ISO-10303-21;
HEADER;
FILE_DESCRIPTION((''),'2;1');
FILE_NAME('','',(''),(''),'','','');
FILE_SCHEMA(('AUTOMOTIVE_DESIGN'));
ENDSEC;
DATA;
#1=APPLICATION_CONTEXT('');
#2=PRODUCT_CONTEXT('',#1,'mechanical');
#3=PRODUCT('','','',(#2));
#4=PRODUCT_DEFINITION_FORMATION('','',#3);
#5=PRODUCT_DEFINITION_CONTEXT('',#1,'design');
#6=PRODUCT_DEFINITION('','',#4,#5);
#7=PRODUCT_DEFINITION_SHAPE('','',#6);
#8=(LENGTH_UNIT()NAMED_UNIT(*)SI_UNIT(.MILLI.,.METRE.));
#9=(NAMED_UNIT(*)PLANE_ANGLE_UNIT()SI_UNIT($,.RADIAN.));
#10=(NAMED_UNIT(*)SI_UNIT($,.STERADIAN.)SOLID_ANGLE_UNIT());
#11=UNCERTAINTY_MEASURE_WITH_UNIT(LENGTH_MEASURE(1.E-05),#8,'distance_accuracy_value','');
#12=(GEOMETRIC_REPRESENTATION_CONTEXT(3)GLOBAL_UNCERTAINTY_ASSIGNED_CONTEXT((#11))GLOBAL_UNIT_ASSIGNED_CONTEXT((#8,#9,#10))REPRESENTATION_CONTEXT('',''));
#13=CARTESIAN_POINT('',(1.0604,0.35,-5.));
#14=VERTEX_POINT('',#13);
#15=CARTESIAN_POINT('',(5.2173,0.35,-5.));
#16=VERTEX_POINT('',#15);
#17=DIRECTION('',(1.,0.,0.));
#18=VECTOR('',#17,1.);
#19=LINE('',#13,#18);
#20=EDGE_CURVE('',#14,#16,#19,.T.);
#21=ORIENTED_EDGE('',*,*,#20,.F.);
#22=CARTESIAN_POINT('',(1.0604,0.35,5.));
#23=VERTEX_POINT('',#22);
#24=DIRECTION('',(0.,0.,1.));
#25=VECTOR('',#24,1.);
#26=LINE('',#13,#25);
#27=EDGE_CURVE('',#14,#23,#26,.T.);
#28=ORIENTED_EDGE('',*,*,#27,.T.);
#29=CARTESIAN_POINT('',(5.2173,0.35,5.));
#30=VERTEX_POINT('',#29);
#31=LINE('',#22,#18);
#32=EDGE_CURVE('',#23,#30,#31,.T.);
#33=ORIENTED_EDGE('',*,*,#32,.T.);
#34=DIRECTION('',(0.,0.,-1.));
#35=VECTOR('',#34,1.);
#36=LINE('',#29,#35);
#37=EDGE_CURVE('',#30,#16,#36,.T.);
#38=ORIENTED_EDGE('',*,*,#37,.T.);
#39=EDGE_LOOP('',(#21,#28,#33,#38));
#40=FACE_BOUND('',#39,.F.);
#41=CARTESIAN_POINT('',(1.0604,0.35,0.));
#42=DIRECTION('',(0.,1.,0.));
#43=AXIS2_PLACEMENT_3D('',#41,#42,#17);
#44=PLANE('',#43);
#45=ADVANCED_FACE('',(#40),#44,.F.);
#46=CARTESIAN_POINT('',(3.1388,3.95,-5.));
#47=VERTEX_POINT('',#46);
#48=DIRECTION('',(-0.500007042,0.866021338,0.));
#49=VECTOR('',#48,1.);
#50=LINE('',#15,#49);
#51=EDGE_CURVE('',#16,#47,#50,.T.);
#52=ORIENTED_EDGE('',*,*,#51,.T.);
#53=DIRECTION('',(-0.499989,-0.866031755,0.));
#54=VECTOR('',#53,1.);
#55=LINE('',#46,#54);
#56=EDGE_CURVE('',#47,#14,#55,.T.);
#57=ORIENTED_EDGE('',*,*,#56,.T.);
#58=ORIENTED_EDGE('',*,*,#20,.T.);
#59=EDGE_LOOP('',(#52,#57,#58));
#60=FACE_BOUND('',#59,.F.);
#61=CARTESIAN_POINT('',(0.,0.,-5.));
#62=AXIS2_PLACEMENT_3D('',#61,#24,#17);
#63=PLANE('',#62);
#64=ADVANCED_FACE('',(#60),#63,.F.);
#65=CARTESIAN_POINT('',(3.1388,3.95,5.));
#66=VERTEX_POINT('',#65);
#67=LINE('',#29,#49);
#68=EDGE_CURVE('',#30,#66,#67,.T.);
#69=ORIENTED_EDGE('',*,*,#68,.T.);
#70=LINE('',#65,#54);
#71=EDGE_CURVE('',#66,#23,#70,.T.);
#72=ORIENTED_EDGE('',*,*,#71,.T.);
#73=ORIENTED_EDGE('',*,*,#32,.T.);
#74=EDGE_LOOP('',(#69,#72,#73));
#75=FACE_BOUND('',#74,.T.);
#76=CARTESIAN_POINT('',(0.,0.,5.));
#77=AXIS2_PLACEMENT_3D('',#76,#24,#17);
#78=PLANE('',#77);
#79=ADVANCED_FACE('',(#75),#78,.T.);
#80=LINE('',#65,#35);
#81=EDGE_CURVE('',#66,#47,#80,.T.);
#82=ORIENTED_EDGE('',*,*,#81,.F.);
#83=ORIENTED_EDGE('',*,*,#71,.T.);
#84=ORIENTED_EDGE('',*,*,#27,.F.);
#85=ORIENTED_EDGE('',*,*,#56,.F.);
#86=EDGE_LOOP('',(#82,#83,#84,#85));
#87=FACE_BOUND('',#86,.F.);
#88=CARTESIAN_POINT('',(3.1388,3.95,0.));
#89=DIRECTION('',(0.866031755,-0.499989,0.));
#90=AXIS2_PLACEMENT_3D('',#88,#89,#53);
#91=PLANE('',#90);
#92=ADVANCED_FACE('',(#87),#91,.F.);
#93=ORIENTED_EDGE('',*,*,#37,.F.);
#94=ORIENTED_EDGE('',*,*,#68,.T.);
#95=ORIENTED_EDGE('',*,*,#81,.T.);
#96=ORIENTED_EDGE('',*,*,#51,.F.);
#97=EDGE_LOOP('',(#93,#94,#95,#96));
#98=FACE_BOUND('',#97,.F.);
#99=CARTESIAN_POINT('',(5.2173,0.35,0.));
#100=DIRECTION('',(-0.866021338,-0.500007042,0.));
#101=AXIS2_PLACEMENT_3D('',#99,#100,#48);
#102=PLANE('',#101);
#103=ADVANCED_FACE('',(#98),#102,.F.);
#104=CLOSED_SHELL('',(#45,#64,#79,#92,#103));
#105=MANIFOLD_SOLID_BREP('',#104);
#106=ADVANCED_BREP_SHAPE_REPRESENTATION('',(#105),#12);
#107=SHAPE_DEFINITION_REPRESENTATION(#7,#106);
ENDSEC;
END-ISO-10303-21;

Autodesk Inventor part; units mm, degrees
ref_plane "YZ Plane" through (0, 0, 0) normal (1, 0, 0) x (0, 1, 0)
ref_plane "XZ Plane" through (0, 0, 0) normal (0, 1, 0) x (-1, 0, 0)
ref_plane "XY Plane" through (0, 0, 0) normal (0, 0, 1) x (1, 0, 0)
sketch "Sketch1" plane through (0, 0, 0) normal (0, 0, 1) x (1, 0, 0)
  line L0 (5.3905, 0.25) -> (0.8871, 0.25) construction
  line L1 (3.1388, 4.15) -> (5.3905, 0.25) construction
  line L2 (0.8871, 0.25) -> (3.1388, 4.15) construction
  line L3 (1.0604, 0.35) -> (5.2173, 0.35)
  line L4 (5.2173, 0.35) -> (3.1388, 3.95)
  line L5 (3.1388, 3.95) -> (1.0604, 0.35)
  point P0 (0, 0)
  dimension "d0" = 0.1
extrude "Extrusion1" add sketch "Sketch1" along normal mid plane 10
properties part number "alignmentPin"
